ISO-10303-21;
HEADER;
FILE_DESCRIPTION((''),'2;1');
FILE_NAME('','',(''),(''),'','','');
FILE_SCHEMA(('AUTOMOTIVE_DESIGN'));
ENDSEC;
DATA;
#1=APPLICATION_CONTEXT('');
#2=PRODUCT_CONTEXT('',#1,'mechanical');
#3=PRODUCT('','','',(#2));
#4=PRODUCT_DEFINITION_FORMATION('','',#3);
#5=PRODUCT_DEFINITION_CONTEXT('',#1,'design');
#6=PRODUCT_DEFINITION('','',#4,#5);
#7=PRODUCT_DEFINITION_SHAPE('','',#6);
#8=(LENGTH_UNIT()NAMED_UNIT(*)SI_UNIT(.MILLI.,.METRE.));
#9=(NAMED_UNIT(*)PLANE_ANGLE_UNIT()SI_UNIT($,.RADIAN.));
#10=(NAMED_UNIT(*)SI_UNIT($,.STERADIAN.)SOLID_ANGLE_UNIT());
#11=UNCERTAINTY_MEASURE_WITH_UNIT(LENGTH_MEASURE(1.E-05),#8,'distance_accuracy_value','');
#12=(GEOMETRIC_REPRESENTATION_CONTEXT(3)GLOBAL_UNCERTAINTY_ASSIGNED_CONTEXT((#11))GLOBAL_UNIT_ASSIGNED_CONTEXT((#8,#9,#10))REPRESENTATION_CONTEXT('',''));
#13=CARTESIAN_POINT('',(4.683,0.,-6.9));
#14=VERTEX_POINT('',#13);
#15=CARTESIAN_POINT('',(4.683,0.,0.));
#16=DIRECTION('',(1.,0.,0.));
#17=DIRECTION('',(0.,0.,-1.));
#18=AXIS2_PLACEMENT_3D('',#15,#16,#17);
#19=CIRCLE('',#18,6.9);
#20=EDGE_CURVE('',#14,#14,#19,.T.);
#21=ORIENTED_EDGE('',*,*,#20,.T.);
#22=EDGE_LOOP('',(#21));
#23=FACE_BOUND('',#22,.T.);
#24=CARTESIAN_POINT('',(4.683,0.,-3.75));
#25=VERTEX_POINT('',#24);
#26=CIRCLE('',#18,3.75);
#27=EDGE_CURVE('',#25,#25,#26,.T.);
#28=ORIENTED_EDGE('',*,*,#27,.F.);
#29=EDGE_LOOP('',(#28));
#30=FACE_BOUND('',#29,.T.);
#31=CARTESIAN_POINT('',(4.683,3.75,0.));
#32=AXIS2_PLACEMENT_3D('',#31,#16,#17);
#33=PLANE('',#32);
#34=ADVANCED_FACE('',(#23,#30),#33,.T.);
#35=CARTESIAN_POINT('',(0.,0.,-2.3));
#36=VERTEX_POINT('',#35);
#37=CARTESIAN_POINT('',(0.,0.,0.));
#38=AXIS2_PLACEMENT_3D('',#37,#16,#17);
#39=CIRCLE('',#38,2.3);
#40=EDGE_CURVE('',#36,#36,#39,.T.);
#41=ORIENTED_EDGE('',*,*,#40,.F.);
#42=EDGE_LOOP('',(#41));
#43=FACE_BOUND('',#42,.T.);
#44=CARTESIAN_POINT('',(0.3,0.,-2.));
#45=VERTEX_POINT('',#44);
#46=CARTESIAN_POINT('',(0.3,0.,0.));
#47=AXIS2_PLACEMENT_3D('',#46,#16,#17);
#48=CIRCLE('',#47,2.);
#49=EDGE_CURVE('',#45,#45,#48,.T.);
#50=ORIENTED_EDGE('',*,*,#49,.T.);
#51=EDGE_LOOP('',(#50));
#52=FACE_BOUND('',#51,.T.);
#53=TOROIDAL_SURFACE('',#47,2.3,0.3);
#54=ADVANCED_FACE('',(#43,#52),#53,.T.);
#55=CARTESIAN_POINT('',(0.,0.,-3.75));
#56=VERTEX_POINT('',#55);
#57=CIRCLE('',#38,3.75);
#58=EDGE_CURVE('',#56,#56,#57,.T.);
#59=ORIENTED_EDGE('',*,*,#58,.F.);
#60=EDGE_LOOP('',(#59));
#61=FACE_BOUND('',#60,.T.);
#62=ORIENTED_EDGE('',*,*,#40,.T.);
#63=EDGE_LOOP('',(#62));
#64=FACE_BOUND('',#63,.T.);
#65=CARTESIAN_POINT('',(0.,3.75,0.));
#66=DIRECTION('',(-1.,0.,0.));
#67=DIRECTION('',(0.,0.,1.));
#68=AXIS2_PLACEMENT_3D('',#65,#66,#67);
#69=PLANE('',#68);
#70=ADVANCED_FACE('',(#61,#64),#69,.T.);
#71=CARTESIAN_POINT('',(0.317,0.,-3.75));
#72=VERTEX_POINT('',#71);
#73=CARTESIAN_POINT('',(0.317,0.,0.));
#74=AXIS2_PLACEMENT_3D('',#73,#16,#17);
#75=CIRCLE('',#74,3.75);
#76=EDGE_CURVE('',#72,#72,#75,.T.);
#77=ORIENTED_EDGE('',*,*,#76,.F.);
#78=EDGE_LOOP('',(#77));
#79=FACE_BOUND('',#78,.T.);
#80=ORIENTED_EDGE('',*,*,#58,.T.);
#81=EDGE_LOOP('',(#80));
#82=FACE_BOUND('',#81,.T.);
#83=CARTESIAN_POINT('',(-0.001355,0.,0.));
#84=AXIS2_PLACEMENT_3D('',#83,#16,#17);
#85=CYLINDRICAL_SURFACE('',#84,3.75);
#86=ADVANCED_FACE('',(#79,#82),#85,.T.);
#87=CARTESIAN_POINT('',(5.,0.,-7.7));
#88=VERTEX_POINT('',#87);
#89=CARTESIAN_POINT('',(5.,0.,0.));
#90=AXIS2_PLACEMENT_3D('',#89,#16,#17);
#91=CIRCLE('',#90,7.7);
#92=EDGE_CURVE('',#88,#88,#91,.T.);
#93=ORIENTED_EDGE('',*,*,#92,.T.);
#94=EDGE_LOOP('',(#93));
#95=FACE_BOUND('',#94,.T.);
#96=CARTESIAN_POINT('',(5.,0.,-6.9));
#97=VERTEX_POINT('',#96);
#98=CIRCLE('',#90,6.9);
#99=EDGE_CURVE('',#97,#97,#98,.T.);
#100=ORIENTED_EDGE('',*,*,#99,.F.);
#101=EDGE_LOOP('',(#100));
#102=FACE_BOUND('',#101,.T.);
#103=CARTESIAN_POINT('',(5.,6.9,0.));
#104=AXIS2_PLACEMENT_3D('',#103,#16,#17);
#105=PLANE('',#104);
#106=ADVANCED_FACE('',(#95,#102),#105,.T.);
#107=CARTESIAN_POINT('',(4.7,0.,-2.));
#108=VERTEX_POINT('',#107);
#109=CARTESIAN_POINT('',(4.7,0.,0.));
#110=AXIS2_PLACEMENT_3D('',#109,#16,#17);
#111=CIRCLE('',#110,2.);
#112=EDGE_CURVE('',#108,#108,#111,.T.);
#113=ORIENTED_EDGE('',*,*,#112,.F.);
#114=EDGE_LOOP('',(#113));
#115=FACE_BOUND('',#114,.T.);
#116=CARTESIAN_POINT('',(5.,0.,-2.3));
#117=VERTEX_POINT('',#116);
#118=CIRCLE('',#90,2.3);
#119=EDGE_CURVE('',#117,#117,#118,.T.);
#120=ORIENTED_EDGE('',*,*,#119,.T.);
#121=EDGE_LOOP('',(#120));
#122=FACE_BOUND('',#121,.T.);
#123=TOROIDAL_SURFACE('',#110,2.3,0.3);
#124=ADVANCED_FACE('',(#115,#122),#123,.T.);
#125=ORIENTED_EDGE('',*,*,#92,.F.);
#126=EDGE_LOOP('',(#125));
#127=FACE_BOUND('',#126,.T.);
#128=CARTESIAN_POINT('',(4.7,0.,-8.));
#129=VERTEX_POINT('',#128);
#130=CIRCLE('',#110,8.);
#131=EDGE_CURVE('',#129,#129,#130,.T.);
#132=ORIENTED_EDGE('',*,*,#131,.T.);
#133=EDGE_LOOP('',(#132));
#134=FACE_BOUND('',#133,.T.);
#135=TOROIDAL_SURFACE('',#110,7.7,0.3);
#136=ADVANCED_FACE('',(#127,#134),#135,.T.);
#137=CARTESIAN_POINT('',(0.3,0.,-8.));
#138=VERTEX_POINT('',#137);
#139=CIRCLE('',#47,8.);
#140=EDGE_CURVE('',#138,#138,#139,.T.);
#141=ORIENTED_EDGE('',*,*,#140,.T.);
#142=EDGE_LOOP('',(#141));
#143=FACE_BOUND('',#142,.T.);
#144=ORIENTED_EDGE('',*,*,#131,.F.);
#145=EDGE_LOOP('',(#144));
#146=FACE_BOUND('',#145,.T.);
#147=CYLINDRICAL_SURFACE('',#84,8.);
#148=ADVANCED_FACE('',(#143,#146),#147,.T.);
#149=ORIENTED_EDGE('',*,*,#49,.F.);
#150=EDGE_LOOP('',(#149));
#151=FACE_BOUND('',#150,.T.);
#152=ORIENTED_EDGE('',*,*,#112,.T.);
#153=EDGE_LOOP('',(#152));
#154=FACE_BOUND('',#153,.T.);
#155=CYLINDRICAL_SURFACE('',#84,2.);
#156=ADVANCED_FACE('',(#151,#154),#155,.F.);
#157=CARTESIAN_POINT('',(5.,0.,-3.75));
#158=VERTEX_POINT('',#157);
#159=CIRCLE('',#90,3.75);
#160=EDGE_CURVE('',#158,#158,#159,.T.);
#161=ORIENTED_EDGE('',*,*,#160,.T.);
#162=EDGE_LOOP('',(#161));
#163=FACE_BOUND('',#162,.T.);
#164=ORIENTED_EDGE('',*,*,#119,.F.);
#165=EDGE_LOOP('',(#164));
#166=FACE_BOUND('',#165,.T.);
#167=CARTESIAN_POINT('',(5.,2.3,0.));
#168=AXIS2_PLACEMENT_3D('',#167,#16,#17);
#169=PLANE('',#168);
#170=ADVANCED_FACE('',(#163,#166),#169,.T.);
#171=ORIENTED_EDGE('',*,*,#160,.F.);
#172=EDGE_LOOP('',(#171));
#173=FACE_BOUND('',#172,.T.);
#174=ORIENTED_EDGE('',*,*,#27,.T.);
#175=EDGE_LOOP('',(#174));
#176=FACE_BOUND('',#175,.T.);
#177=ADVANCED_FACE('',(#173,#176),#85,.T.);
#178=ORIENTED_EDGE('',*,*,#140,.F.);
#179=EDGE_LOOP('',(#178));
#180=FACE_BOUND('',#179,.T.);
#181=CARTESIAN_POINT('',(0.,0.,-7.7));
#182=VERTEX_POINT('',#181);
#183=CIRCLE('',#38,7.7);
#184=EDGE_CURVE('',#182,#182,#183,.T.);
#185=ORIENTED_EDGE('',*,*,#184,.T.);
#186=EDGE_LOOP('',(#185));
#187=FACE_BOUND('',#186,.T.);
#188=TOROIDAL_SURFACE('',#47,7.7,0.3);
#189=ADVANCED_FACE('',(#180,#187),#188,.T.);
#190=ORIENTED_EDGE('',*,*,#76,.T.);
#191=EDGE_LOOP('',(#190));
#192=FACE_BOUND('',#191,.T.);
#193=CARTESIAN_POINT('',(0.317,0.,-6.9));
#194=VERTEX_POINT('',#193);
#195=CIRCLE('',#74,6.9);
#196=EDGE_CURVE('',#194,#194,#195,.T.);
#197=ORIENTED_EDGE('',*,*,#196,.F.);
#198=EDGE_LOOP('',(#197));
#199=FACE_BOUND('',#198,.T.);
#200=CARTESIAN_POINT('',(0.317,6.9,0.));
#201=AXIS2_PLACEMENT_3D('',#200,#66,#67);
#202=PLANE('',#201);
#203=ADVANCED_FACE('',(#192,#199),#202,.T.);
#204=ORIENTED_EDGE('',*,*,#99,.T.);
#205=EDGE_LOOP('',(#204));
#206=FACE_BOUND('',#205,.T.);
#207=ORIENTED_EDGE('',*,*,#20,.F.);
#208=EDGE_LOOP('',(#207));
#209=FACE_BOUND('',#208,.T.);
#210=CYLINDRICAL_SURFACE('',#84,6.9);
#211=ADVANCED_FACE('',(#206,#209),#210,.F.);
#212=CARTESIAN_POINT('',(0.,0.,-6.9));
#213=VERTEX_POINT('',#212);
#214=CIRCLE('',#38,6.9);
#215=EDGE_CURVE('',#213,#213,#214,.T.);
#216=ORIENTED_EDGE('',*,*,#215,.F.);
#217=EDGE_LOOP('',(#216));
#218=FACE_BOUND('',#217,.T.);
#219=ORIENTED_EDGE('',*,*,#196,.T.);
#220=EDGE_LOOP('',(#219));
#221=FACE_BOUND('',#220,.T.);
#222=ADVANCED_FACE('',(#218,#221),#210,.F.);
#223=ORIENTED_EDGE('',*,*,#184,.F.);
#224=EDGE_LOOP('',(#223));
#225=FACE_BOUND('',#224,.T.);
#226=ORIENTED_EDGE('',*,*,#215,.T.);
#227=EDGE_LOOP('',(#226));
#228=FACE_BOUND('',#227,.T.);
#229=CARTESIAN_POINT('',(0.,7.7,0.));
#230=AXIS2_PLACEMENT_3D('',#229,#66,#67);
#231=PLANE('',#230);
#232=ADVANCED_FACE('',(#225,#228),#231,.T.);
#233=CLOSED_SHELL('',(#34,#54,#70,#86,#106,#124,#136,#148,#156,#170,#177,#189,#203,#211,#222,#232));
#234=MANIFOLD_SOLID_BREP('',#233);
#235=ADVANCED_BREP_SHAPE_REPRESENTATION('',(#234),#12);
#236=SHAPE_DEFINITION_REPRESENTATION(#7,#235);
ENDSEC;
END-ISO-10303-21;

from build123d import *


with BuildPart() as part:
    # Sketch1 → Revolve1 (revolve)
    with BuildSketch(Plane.XY):
        with BuildLine():
            Line((0, 3.75), (0, 2.3))
            ThreePointArc((0, 2.3), (0.087867966, 2.087867966), (0.3, 2))
            Line((0.3, 2), (4.7, 2))
            ThreePointArc((4.7, 2), (4.912132034, 2.087867966), (5, 2.3))
            Line((5, 2.3), (5, 3.75))
            Line((5, 3.75), (4.683, 3.75))
            Line((4.683, 3.75), (4.683, 6.9))
            Line((4.683, 6.9), (5, 6.9))
            Line((5, 6.9), (5, 7.7))
            ThreePointArc((5, 7.7), (4.912132034, 7.912132034), (4.7, 8))
            Line((4.7, 8), (0.3, 8))
            ThreePointArc((0.3, 8), (0.087867966, 7.912132034), (0, 7.7))
            Line((0, 7.7), (0, 6.9))
            Line((0, 6.9), (0.317, 6.9))
            Line((0.317, 6.9), (0.317, 3.75))
            Line((0.317, 3.75), (0, 3.75))
        make_face()
    revolve(axis=Axis((-0.001355266, 0, 0), (1, 0, 0)))


solid = part.part
